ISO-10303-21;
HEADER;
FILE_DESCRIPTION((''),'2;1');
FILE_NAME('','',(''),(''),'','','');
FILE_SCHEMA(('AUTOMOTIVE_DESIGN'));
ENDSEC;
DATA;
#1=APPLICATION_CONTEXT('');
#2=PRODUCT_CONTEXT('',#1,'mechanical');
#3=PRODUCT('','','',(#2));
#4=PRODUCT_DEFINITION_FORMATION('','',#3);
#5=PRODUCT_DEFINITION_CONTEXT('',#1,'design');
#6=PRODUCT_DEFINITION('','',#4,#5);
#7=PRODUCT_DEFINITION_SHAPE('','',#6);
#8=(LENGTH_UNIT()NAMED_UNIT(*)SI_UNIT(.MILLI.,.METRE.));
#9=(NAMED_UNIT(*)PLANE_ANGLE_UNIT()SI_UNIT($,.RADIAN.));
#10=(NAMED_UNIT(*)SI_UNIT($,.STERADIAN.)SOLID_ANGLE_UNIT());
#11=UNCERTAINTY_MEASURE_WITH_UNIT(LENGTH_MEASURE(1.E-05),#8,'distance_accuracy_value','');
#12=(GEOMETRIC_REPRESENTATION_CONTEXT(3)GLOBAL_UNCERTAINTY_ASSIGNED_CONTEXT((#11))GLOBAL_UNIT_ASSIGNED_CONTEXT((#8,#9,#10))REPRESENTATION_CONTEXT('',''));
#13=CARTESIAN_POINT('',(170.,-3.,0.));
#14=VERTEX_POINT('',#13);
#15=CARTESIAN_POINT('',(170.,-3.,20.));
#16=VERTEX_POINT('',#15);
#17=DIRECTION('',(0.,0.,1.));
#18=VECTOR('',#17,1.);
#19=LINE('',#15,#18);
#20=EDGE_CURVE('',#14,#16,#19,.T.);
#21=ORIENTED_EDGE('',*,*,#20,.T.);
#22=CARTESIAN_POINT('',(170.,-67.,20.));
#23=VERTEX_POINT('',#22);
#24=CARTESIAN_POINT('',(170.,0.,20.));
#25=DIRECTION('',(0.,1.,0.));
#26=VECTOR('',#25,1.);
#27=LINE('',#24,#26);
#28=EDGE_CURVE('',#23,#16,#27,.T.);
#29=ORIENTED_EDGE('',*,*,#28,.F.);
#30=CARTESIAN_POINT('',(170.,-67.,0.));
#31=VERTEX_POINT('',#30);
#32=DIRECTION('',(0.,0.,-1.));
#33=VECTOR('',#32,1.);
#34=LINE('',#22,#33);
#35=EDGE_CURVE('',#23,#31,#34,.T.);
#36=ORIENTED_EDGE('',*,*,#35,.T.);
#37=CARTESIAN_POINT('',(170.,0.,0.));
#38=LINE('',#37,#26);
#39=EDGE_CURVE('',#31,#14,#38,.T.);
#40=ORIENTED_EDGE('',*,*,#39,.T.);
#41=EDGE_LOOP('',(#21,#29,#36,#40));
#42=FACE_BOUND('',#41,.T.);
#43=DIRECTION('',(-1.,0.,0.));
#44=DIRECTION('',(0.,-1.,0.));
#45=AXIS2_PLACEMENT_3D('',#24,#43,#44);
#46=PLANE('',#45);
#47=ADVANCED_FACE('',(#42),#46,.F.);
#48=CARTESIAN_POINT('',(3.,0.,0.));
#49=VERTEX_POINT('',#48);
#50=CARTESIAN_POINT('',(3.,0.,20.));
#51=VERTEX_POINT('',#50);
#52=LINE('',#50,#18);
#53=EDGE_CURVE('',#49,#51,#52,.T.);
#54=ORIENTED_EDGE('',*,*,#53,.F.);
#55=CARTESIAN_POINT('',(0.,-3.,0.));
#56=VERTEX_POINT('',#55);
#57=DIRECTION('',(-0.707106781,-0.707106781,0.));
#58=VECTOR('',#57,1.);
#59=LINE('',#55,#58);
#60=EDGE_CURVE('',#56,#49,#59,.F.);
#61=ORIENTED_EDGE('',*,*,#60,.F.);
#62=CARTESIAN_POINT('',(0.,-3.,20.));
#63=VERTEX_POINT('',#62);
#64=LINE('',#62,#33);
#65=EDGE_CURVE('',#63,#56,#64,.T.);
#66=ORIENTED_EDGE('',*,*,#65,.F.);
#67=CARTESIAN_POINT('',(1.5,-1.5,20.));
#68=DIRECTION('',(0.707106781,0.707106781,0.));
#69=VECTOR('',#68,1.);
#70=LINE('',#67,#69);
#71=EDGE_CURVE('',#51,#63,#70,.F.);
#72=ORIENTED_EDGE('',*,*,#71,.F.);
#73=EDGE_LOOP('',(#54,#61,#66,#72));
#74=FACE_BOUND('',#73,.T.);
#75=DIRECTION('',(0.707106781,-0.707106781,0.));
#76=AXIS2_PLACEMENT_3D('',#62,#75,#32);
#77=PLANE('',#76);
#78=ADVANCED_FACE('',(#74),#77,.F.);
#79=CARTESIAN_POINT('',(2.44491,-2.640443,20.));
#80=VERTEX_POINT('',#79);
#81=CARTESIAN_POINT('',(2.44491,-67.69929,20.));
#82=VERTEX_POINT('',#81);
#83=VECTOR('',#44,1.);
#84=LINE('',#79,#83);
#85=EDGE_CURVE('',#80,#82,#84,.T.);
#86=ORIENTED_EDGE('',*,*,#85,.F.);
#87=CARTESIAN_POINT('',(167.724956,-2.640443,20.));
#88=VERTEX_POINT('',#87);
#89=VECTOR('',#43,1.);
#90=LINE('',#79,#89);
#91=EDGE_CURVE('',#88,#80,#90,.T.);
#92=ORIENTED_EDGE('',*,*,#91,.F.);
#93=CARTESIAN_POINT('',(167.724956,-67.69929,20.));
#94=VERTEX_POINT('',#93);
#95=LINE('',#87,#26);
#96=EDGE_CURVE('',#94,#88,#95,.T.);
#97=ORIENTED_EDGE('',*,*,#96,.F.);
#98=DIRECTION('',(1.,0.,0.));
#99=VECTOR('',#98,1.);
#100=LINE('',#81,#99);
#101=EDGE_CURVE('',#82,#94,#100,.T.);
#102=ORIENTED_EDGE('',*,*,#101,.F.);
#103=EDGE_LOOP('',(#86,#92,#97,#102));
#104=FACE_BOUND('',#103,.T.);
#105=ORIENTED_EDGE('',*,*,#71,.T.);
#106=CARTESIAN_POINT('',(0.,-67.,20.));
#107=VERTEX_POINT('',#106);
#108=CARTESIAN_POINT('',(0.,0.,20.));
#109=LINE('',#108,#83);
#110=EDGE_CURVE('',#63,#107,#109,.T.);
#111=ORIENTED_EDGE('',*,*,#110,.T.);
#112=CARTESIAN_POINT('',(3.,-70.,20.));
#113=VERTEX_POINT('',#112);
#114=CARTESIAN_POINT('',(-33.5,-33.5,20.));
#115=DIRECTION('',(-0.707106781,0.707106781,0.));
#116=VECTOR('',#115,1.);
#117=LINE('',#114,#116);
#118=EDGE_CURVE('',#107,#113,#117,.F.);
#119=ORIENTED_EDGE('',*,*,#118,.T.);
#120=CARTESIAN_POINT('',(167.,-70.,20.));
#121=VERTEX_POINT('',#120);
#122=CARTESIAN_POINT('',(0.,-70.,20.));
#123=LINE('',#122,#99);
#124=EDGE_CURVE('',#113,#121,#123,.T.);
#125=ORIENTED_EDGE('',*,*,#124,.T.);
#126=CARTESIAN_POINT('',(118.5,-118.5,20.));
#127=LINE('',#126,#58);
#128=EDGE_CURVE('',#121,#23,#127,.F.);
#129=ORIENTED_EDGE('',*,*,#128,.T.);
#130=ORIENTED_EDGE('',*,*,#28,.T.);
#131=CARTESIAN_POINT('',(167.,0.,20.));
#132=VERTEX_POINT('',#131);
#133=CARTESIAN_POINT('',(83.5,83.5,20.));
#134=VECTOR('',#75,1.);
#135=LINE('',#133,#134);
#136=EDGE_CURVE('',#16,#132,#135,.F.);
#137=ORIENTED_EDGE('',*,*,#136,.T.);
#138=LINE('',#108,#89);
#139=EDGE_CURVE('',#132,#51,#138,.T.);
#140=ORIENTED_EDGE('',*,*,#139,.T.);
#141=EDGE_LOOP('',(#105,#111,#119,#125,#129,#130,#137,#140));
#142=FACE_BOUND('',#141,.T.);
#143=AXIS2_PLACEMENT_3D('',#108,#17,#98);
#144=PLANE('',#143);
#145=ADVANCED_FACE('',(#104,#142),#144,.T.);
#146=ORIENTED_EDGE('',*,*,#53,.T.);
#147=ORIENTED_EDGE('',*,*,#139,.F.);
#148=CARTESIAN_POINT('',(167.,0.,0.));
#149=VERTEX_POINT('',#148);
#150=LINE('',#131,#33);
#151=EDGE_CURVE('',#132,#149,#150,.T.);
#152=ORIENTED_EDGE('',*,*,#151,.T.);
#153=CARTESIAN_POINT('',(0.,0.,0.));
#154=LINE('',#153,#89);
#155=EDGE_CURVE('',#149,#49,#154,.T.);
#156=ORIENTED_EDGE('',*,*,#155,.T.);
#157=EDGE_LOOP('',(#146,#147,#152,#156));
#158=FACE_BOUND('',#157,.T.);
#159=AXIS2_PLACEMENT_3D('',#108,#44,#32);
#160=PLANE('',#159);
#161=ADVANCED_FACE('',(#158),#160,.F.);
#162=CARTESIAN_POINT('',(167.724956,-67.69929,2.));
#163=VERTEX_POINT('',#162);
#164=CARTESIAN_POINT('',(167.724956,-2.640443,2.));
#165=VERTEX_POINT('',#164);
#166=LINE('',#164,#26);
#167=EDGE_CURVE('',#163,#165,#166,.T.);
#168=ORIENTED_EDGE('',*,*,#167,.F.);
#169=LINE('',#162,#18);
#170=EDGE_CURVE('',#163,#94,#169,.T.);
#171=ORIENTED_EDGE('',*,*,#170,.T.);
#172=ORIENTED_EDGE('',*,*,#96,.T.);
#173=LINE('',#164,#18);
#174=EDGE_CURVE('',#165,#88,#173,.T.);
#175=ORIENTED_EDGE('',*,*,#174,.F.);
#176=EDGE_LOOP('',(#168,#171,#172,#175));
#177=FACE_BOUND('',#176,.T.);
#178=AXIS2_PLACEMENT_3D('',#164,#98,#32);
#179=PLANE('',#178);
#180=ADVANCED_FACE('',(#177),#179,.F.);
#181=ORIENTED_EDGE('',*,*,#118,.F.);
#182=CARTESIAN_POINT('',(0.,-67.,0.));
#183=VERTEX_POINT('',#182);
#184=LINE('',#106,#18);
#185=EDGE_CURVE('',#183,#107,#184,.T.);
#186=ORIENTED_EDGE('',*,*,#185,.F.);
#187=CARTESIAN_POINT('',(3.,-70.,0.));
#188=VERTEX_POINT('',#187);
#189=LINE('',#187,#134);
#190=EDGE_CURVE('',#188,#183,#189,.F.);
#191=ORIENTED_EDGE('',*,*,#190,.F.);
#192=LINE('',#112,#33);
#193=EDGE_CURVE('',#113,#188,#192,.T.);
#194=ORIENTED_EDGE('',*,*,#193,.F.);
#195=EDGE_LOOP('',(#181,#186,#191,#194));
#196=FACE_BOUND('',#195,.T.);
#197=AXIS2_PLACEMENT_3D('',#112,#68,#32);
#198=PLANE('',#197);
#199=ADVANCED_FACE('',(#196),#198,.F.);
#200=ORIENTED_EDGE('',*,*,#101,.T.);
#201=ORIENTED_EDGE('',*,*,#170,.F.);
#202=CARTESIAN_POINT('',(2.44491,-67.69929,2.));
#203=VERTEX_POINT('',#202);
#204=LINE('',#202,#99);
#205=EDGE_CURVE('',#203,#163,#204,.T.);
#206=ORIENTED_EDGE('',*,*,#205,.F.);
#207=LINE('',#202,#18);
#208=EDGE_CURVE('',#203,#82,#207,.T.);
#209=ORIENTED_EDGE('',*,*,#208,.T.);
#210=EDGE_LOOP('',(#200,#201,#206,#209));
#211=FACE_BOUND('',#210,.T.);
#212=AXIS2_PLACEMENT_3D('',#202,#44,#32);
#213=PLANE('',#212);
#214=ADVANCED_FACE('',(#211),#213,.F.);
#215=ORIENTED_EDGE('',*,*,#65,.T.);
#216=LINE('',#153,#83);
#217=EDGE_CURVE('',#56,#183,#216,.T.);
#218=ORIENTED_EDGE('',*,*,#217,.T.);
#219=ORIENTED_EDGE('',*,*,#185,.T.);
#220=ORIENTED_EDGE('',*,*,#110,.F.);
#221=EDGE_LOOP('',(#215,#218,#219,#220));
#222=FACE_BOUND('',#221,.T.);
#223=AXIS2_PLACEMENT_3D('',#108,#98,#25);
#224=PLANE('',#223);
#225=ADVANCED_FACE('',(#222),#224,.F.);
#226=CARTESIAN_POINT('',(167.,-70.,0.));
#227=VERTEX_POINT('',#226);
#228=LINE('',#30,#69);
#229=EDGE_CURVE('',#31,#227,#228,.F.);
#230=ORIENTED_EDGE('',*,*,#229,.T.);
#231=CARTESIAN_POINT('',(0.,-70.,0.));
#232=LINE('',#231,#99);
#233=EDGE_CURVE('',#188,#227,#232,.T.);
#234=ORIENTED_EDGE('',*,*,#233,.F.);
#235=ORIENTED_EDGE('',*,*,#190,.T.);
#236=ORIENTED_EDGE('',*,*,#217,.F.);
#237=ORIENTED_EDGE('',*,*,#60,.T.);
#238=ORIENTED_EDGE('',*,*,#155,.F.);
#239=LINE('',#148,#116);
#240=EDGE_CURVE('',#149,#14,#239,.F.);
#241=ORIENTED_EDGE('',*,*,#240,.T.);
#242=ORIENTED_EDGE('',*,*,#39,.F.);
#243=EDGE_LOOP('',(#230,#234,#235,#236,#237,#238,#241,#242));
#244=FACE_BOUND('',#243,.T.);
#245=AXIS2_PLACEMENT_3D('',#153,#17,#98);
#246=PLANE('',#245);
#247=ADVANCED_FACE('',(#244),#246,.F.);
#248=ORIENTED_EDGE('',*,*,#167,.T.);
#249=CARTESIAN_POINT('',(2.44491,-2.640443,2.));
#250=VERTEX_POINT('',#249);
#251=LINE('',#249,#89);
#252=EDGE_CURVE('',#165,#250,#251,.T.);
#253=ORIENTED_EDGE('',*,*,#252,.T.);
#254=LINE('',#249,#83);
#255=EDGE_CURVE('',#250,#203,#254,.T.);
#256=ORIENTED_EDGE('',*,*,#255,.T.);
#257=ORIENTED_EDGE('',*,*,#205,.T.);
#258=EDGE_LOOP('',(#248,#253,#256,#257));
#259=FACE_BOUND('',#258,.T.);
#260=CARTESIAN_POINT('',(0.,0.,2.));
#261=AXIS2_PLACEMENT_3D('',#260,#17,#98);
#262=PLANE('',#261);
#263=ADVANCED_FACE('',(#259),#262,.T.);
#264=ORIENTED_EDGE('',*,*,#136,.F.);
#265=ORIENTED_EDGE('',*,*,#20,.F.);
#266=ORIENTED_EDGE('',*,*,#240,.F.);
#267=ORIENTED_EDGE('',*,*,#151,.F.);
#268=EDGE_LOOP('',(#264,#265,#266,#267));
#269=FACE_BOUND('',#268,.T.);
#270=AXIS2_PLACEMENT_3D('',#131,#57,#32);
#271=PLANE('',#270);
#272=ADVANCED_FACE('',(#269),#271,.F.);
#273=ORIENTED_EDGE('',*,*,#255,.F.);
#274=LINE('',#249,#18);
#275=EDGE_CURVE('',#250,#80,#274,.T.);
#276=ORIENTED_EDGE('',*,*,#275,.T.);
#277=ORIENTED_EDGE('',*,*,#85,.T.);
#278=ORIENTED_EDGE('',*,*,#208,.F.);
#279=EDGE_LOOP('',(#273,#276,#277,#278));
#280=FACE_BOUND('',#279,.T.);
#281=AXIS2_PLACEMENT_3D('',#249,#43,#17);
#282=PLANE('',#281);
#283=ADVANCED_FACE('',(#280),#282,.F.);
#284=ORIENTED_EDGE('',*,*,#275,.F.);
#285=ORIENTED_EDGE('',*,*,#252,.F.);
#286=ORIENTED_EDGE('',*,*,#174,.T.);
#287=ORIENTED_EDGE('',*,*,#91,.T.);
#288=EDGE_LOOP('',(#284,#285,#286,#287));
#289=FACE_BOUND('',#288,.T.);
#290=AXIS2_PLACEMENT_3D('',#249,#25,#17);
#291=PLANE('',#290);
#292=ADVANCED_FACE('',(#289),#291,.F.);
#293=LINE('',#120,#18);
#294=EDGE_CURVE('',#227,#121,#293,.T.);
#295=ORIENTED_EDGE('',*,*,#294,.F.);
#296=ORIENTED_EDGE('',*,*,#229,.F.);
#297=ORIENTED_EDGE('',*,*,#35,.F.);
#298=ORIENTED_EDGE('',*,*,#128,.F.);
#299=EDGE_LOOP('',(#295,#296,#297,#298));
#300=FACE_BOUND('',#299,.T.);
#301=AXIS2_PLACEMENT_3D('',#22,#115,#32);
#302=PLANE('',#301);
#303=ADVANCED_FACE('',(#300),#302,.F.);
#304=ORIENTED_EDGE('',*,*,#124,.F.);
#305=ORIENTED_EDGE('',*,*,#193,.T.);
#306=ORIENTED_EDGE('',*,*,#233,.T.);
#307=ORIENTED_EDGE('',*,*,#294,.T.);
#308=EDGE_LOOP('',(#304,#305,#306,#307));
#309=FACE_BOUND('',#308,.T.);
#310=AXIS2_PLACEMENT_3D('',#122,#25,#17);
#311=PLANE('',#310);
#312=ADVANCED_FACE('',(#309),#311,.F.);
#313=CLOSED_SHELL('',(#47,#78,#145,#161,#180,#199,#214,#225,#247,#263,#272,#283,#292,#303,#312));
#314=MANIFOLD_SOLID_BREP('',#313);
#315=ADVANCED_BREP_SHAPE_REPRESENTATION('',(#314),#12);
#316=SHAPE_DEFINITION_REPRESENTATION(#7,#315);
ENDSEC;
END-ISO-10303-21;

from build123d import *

# Parameters (mm, degrees)
SKETCH1_W           = 170
SKETCH1_H           = 70
BOSS_EXTRUDE1_DEPTH = 20
SKETCH2_W           = 165.280045526
SKETCH2_H           = 65.058846286
CUT_EXTRUDE1_DEPTH  = 18
CHAMFER1_SIZE       = 3


with BuildPart() as part:
    # Sketch1 → Boss-Extrude1 (new body)
    with BuildSketch(Plane.XY):
        with Locations((85, -35)):
            Rectangle(SKETCH1_W, SKETCH1_H)
    extrude(amount=BOSS_EXTRUDE1_DEPTH)

    # Sketch2 → Cut-Extrude1 (cut)
    with BuildSketch(Plane.XY.offset(20)):
        with Locations((85.08493322, -35.169866439)):
            Rectangle(SKETCH2_W, SKETCH2_H)
    extrude(amount=-CUT_EXTRUDE1_DEPTH, mode=Mode.SUBTRACT)

    # Chamfer1
    chamfer1_edges = [part.edges().sort_by_distance(p)[0] for p in [
        (0, 0, 10),
        (170, 0, 10),
        (170, -70, 10),
        (0, -70, 10),
    ]]
    chamfer(chamfer1_edges, length=CHAMFER1_SIZE)


solid = part.part
